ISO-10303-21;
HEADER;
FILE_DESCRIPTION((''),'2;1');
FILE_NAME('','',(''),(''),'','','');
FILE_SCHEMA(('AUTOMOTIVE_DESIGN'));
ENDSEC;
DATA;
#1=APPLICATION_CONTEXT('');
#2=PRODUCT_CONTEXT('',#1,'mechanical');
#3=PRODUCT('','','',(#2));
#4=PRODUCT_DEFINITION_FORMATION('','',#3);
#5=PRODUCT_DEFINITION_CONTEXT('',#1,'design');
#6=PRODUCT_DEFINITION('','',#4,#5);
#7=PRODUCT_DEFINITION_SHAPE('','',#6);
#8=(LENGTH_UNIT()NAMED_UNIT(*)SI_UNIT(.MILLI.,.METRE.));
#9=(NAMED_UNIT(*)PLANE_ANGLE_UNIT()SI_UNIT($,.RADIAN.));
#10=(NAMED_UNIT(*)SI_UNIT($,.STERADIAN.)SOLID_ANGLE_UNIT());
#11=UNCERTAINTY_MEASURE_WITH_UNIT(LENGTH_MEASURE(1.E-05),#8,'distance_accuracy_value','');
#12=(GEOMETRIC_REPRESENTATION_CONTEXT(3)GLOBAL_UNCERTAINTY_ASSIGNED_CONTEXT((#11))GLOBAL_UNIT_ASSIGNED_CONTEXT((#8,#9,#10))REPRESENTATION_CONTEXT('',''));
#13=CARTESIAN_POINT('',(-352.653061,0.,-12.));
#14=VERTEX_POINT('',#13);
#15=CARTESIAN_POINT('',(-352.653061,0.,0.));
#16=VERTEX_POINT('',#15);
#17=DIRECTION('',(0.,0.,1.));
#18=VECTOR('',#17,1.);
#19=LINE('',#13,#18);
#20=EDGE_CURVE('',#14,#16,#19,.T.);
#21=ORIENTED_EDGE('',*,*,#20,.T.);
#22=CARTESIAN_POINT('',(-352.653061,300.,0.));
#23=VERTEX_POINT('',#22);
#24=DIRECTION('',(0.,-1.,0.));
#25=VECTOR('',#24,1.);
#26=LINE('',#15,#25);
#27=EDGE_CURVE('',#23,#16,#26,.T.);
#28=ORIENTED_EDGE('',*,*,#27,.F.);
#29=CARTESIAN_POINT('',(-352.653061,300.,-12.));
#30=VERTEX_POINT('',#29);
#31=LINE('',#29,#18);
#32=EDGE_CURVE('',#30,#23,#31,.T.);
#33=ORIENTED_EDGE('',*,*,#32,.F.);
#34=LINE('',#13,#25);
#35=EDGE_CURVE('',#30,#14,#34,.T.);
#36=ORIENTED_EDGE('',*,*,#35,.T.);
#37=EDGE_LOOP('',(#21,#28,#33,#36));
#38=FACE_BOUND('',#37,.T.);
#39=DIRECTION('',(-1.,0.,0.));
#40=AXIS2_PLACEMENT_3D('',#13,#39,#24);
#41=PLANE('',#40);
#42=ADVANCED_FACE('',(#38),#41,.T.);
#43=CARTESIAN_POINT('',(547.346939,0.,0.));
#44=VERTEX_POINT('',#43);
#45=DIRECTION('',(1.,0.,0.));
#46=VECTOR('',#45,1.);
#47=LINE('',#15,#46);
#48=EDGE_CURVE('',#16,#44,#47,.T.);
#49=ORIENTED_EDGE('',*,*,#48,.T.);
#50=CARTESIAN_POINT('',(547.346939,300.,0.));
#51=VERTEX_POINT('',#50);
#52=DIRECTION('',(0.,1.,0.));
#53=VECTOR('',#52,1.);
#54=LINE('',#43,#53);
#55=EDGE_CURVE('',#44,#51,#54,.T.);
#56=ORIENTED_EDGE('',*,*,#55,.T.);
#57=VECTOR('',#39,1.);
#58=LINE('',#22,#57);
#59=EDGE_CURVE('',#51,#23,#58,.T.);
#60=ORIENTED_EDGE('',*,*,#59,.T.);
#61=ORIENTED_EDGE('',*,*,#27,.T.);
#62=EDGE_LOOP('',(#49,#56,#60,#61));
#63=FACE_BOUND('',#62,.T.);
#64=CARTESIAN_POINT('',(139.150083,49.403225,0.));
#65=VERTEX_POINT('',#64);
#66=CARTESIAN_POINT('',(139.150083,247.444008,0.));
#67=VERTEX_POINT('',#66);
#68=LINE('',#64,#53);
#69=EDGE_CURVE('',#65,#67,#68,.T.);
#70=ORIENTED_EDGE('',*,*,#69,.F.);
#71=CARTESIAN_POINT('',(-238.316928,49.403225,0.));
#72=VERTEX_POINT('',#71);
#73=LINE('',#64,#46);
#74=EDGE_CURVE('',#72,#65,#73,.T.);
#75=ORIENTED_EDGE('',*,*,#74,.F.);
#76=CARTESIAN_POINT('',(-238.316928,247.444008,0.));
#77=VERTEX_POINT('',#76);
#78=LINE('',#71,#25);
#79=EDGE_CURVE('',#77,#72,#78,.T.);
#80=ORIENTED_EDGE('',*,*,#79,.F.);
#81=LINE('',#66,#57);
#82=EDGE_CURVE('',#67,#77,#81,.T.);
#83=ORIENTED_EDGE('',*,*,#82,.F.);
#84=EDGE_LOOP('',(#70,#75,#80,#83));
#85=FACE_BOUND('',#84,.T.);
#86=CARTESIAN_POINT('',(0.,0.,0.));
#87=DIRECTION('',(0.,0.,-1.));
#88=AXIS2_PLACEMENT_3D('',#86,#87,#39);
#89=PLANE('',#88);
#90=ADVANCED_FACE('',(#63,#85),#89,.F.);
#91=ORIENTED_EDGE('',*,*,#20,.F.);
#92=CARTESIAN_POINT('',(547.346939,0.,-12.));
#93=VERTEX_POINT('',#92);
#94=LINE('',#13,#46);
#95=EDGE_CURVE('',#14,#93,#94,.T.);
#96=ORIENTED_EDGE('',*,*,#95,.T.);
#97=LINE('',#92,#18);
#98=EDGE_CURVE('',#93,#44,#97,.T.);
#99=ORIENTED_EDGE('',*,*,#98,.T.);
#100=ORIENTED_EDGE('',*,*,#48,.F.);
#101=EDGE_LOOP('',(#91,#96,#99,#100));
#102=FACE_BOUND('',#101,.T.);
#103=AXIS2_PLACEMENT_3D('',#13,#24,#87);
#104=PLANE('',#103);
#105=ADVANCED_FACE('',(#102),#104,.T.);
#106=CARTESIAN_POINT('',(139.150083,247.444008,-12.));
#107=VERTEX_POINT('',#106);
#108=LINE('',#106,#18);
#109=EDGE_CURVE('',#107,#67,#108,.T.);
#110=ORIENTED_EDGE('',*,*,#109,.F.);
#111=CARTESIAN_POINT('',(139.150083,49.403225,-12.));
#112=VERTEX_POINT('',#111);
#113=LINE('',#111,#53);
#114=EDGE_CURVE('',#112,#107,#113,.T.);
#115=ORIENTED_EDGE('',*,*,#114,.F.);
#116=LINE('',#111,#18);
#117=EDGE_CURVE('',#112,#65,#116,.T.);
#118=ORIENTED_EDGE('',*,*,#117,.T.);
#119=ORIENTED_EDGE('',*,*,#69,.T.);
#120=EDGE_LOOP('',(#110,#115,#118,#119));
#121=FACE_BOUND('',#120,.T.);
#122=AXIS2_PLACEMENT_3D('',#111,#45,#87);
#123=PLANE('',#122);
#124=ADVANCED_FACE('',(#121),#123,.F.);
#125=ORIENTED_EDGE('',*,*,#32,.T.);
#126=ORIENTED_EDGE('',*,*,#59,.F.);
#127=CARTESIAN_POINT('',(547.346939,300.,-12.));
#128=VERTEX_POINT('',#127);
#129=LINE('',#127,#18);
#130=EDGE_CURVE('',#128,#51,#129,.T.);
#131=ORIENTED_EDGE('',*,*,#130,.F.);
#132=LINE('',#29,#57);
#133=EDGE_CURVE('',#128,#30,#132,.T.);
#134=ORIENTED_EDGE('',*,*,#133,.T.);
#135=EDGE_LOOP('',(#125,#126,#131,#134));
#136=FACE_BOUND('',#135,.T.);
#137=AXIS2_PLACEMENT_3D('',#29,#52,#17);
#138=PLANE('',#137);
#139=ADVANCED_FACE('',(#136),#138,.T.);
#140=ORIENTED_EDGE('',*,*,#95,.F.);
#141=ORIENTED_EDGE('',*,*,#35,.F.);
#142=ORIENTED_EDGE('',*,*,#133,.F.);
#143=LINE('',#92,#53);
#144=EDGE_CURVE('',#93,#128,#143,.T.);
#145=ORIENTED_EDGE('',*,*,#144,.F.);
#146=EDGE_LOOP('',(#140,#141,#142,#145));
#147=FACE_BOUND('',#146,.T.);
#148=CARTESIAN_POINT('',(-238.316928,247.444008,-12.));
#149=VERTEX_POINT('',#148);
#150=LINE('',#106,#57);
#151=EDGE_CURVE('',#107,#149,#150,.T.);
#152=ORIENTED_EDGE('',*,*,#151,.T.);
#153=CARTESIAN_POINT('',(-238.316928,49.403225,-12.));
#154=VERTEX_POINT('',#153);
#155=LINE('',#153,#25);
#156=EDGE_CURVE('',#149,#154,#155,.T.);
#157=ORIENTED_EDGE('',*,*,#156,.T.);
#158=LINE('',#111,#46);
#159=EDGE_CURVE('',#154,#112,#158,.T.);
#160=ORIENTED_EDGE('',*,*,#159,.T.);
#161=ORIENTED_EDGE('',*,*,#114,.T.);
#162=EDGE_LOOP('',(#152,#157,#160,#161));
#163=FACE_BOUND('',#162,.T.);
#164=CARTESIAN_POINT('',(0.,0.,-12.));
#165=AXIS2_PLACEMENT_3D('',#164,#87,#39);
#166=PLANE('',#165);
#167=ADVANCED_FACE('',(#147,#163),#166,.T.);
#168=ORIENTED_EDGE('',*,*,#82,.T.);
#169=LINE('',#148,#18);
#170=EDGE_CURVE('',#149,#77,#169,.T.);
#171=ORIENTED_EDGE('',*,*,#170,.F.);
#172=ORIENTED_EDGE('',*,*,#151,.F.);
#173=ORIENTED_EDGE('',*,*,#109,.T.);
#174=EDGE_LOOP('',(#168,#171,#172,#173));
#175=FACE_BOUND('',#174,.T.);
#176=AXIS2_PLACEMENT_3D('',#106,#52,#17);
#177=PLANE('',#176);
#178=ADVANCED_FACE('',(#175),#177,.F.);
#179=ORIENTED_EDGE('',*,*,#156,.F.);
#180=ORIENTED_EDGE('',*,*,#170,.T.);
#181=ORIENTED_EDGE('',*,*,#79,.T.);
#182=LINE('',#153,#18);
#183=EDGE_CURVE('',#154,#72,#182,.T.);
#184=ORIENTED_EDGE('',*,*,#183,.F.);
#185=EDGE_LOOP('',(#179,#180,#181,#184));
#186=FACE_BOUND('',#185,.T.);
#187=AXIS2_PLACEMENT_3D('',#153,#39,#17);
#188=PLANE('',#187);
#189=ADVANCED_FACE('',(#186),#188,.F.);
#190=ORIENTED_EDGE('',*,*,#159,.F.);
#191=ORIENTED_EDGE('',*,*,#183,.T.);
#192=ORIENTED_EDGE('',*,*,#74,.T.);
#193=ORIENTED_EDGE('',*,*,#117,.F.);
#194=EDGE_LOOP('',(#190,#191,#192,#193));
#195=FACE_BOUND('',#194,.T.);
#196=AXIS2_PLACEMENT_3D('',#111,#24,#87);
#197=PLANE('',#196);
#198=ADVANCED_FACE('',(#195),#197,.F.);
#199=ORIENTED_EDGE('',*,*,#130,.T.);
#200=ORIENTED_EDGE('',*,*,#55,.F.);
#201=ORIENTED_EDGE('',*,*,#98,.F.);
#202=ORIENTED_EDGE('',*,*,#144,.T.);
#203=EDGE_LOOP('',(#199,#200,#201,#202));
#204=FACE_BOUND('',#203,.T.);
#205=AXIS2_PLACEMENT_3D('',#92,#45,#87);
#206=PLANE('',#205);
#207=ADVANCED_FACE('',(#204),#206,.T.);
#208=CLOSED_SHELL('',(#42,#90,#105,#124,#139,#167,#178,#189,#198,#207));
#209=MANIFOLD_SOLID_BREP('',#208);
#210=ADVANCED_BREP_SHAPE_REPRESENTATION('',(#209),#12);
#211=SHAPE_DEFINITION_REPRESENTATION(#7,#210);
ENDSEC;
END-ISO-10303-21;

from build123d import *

# Parameters (mm, degrees)
SKETCH1_W           = 900
SKETCH1_H           = 300
SKETCH1_W_2         = 377.467011014
SKETCH1_H_2         = 198.040783713
BOSS_EXTRUDE2_DEPTH = 12


with BuildPart() as part:
    # Sketch1 → Boss-Extrude2 (new body)
    with BuildSketch(Plane.XY):
        with Locations((97.346938776, 150)):
            Rectangle(SKETCH1_W, SKETCH1_H)
        with Locations((-49.583422145, 148.423616523)):
            Rectangle(SKETCH1_W_2, SKETCH1_H_2, mode=Mode.SUBTRACT)
    extrude(amount=-BOSS_EXTRUDE2_DEPTH)


solid = part.part
